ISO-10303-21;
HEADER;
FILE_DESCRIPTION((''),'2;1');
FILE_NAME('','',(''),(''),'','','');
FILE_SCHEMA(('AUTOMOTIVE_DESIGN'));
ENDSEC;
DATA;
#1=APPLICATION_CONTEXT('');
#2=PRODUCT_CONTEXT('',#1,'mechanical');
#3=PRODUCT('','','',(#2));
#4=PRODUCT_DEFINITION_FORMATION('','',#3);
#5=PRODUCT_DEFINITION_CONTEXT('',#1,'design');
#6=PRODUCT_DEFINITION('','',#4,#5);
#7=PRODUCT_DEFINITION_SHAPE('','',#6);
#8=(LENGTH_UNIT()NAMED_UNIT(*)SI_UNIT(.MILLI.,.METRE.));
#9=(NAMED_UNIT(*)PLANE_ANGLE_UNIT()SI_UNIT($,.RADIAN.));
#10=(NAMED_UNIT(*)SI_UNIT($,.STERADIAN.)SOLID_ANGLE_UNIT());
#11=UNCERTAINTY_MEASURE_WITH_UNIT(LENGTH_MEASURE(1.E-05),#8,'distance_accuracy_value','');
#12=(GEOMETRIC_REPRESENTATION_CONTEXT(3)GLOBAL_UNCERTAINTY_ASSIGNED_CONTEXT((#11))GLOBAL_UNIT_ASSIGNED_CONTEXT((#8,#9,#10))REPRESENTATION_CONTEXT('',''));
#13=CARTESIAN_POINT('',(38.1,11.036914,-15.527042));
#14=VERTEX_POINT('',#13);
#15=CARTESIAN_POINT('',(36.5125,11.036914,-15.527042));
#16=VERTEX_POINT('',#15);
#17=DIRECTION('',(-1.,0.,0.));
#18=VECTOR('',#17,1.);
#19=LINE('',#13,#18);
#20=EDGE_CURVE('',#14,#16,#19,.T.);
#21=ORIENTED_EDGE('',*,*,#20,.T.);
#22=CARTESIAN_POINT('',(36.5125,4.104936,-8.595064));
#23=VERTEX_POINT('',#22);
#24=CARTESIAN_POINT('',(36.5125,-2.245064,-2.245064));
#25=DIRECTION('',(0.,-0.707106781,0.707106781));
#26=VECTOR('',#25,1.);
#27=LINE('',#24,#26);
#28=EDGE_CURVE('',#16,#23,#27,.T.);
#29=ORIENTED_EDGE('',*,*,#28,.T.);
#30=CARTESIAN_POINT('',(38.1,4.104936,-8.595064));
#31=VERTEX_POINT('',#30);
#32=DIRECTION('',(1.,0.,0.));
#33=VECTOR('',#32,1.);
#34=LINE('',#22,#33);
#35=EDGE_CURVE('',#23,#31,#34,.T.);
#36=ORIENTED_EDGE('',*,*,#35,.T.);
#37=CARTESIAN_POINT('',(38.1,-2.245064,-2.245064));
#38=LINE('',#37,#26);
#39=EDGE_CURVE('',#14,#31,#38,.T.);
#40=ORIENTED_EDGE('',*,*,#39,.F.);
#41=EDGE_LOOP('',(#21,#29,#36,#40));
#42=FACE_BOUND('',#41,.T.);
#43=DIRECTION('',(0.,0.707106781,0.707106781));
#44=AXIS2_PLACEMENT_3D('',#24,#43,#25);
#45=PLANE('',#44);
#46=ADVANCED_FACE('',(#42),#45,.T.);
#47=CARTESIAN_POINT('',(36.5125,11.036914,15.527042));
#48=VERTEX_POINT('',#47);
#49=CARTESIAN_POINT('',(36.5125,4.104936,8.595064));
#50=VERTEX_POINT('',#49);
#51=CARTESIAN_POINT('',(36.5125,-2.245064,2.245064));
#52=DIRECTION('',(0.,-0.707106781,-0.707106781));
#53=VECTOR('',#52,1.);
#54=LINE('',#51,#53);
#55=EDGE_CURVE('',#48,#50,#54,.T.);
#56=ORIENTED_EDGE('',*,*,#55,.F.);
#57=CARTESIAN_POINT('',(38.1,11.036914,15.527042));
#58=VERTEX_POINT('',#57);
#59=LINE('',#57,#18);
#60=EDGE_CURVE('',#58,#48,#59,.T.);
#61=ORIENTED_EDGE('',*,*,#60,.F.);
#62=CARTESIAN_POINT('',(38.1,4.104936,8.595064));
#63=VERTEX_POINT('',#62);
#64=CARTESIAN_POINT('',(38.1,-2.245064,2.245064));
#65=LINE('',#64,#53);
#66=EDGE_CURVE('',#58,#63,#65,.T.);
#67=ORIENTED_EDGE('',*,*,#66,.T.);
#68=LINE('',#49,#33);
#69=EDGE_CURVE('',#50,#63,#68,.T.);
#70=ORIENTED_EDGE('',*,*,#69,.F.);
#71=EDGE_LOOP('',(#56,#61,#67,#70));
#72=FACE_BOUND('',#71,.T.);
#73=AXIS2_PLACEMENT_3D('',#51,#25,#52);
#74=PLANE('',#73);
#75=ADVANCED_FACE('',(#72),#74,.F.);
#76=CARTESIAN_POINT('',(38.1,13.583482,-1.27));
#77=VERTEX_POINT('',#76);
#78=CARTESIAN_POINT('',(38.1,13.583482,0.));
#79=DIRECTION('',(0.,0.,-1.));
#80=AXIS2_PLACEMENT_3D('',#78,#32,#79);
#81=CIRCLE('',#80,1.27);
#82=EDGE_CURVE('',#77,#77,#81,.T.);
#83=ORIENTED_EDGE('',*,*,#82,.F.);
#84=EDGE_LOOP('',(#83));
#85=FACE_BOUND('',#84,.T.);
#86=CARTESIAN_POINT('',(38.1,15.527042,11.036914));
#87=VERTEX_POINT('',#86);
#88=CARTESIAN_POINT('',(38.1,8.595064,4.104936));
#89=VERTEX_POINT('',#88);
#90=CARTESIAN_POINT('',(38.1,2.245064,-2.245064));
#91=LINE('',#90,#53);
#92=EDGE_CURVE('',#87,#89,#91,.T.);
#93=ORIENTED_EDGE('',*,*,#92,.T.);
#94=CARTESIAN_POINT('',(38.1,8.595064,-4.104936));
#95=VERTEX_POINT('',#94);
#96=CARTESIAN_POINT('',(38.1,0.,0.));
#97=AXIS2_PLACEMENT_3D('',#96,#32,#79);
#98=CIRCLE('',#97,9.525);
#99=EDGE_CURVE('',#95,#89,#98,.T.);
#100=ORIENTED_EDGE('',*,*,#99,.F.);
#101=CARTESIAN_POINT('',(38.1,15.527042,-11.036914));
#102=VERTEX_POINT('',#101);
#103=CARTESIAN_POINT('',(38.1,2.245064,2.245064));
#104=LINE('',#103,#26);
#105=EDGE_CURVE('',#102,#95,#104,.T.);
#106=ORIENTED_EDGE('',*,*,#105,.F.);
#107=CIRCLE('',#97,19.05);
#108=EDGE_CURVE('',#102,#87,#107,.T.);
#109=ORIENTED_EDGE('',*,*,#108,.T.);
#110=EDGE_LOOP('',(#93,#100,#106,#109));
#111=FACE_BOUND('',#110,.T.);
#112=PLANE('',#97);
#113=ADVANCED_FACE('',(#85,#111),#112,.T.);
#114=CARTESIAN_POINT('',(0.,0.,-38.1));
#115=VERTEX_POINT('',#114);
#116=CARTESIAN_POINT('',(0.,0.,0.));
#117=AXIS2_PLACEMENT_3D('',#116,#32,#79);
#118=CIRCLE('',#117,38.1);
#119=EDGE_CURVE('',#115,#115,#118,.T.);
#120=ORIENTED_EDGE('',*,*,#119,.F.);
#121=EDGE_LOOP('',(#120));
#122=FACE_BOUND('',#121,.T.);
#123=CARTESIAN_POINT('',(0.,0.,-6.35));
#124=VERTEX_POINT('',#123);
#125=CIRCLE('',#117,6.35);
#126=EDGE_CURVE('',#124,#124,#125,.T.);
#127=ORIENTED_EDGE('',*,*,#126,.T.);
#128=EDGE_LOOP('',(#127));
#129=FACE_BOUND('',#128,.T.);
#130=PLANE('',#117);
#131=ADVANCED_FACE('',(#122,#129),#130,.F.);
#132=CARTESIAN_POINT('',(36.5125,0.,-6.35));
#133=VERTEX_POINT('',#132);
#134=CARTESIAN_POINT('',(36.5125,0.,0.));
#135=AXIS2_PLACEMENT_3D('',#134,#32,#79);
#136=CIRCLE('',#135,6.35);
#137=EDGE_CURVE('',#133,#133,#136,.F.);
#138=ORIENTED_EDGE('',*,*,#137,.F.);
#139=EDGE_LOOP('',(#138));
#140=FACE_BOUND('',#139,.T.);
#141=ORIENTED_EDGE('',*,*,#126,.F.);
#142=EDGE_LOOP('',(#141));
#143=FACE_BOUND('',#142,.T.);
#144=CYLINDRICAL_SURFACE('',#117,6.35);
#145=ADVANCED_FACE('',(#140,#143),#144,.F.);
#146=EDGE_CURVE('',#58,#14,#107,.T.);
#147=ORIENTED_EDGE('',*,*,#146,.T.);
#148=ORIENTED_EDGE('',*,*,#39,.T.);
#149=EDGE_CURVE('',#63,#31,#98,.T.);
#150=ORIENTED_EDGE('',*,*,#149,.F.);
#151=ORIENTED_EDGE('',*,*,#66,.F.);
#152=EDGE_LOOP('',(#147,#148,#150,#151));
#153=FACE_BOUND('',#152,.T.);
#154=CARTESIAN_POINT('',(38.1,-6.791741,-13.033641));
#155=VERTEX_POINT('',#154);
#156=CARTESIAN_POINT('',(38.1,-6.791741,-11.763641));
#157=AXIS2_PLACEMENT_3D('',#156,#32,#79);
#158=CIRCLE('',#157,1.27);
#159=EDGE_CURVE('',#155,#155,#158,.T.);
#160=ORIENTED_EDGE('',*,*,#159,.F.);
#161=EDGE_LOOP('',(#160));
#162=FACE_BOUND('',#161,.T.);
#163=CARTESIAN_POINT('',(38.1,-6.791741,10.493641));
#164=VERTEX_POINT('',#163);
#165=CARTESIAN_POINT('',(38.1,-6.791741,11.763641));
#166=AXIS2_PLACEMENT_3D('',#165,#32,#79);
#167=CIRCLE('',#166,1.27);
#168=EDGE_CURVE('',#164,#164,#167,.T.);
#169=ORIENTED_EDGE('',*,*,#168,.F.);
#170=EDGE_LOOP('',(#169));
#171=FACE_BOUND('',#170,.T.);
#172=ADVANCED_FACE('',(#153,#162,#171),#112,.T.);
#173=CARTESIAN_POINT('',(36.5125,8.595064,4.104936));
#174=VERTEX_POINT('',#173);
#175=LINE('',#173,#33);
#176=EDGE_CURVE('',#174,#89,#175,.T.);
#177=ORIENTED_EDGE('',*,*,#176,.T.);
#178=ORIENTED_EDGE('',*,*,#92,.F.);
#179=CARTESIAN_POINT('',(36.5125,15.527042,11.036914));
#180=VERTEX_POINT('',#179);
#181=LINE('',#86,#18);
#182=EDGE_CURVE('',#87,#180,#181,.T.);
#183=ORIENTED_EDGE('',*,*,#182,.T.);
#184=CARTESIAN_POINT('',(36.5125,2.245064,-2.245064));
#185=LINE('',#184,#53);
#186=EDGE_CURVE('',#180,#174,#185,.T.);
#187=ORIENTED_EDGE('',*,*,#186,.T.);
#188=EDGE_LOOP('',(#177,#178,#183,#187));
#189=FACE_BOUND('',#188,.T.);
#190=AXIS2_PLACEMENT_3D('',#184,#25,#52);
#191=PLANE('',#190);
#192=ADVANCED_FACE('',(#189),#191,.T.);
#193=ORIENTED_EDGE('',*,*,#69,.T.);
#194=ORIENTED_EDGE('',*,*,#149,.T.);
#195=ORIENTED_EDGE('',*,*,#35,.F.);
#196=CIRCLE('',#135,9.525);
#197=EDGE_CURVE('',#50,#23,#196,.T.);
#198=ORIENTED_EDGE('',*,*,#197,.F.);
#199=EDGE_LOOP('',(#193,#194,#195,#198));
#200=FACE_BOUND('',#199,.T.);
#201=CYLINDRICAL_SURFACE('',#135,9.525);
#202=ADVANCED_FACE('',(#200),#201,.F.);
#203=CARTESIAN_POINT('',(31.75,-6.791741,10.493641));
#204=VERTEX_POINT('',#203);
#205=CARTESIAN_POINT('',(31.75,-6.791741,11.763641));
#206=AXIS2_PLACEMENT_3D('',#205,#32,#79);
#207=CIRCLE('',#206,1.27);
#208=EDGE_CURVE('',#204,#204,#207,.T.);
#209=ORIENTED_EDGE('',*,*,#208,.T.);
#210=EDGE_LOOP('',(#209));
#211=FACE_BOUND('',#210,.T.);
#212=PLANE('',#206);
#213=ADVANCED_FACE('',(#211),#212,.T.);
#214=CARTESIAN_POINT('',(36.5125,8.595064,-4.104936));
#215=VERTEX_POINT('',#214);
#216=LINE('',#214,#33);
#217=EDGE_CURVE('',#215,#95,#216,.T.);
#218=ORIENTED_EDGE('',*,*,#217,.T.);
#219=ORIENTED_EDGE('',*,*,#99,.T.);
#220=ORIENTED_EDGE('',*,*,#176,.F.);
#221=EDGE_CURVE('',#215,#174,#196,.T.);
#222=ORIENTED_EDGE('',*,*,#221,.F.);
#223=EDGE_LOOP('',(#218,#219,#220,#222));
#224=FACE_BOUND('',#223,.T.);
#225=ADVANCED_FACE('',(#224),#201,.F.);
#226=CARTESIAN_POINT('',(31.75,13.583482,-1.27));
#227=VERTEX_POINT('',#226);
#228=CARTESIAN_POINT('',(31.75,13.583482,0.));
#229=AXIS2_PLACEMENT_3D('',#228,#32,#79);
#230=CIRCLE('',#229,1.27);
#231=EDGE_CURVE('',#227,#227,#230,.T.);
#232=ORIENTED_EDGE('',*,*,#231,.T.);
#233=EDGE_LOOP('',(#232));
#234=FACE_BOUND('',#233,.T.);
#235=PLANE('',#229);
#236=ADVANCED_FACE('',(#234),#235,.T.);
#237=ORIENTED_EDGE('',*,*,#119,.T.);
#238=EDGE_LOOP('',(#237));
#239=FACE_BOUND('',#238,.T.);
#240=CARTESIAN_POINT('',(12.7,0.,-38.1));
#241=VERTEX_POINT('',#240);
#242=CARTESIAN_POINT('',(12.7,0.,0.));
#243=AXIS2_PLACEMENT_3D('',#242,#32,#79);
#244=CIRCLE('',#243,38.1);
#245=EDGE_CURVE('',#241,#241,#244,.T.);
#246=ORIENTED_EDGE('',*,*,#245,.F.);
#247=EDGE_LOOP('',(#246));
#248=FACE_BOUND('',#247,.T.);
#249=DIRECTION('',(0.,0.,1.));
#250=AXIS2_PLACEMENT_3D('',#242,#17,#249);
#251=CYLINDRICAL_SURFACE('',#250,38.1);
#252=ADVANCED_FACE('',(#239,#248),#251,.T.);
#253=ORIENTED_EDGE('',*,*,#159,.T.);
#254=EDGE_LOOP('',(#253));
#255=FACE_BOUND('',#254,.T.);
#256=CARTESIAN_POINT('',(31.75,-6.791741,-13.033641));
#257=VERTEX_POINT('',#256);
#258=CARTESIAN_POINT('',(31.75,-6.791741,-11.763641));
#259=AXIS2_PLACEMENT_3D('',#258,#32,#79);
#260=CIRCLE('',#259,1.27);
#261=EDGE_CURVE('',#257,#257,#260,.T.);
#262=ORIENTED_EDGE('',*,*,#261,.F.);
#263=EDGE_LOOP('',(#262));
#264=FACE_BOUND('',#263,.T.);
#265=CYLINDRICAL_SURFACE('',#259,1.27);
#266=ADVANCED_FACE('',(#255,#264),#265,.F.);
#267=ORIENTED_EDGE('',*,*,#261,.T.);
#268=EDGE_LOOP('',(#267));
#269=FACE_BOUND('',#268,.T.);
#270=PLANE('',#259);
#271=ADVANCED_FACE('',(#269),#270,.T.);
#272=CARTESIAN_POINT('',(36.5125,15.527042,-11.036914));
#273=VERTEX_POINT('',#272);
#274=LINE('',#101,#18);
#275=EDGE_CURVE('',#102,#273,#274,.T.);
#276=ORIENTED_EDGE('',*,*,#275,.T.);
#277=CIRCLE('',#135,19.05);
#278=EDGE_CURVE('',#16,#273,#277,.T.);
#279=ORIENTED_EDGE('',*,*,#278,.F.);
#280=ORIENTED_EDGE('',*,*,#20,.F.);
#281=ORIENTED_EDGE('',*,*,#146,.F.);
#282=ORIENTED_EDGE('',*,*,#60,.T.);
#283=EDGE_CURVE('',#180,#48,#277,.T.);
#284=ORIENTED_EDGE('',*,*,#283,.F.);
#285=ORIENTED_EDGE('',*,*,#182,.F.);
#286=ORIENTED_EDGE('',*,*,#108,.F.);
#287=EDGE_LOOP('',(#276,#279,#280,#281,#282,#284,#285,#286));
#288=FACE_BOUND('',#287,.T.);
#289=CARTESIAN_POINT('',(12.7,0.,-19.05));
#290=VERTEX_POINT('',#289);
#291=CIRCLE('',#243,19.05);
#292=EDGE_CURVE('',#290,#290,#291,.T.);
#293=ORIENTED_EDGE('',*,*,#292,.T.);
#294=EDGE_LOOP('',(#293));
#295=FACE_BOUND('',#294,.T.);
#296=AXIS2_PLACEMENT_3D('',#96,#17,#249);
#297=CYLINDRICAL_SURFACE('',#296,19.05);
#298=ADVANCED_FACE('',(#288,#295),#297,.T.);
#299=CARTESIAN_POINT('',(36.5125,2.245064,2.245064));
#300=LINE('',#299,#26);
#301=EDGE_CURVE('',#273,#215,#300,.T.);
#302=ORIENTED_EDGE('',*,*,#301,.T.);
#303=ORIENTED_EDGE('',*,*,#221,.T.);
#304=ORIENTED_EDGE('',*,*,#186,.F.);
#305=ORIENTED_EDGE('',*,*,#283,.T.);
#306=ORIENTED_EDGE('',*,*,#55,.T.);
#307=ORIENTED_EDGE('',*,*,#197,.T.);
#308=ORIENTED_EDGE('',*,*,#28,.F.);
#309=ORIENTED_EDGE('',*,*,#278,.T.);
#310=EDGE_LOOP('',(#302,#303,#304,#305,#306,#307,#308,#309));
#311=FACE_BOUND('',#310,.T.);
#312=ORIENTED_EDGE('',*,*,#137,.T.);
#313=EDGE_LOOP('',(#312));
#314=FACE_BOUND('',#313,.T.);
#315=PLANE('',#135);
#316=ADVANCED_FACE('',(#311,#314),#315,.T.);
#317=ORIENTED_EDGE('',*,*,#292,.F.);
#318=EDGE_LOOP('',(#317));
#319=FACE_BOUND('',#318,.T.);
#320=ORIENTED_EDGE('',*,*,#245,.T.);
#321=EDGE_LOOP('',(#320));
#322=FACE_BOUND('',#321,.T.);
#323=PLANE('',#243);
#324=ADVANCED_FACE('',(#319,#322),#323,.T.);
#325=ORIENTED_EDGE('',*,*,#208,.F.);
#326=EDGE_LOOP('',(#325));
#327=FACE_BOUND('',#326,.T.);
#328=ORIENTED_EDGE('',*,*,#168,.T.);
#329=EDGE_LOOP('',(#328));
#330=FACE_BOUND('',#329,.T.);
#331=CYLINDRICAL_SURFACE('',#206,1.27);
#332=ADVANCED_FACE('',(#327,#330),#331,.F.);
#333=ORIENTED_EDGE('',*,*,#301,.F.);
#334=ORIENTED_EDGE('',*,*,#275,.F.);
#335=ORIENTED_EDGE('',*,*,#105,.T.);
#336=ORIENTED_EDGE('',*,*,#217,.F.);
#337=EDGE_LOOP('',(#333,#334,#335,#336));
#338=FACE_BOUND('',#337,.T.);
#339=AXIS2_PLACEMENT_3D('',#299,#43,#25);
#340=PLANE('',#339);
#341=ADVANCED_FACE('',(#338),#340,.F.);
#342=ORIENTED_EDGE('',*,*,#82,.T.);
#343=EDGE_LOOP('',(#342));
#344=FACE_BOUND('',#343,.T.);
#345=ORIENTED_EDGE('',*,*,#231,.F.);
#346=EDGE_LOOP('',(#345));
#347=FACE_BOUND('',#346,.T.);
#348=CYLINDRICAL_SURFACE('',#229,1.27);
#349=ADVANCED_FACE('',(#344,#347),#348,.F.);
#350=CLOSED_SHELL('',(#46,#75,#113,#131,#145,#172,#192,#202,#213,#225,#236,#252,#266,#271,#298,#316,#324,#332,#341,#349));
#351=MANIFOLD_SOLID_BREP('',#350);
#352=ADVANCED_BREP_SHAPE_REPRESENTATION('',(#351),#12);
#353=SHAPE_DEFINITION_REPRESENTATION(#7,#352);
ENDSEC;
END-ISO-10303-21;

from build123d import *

# Parameters (mm, degrees)
SKETCH1_R           = 38.1
BOSS_EXTRUDE1_DEPTH = 12.7
SKETCH2_R           = 19.05
BOSS_EXTRUDE2_DEPTH = 25.4
SKETCH3_R           = 6.35
CUT_EXTRUDE1_DEPTH  = 66.991135768
SKETCH4_R           = 1.27
CUT_EXTRUDE2_DEPTH  = 6.35
SKETCH5_R           = 9.525
CUT_EXTRUDE3_DEPTH  = 1.5875


with BuildPart() as part:
    # Sketch1 → Boss-Extrude1 (new body)
    with BuildSketch(Plane(origin=(0, 0, 0), x_dir=(0, 0, -1), z_dir=(1, 0, 0))):
        Circle(SKETCH1_R)
    extrude(amount=BOSS_EXTRUDE1_DEPTH)

    # Sketch2 → Boss-Extrude2 (add)
    with BuildSketch(Plane(origin=(12.7, 0, 0), x_dir=(0, 0, -1), z_dir=(1, 0, 0))):
        Circle(SKETCH2_R)
    extrude(amount=BOSS_EXTRUDE2_DEPTH)

    # Sketch3 → Cut-Extrude1 (cut, through all)
    with BuildSketch(Plane(origin=(38.1, 0, 0), x_dir=(0, 0, -1), z_dir=(1, 0, 0))):
        Circle(SKETCH3_R)
    extrude(amount=-CUT_EXTRUDE1_DEPTH, mode=Mode.SUBTRACT)

    # Sketch4 → Cut-Extrude2 (cut)
    with BuildSketch(Plane(origin=(38.1, 0, 0), x_dir=(0, 0, -1), z_dir=(1, 0, 0))):
        with Locations((0, 13.583482333)):
            Circle(SKETCH4_R)
        with Locations((11.763640772, -6.791741166)):
            Circle(SKETCH4_R)
        with Locations((-11.763640772, -6.791741166)):
            Circle(SKETCH4_R)
    extrude(amount=-CUT_EXTRUDE2_DEPTH, mode=Mode.SUBTRACT)

    # Sketch5 → Cut-Extrude3 (cut)
    with BuildSketch(Plane(origin=(38.1, 0, 0), x_dir=(0, 0, -1), z_dir=(1, 0, 0))):
        Circle(SKETCH5_R)
        Polygon((-15.715448212, 11.225320151), (-11.225320151, 15.715448212), (2.24506403, 2.24506403), (-2.24506403, -2.24506403), align=None)
        Polygon((15.715448212, 11.225320151), (2.24506403, -2.24506403), (-2.24506403, 2.24506403), (11.225320151, 15.715448212), align=None)
    extrude(amount=-CUT_EXTRUDE3_DEPTH, mode=Mode.SUBTRACT)


solid = part.part
